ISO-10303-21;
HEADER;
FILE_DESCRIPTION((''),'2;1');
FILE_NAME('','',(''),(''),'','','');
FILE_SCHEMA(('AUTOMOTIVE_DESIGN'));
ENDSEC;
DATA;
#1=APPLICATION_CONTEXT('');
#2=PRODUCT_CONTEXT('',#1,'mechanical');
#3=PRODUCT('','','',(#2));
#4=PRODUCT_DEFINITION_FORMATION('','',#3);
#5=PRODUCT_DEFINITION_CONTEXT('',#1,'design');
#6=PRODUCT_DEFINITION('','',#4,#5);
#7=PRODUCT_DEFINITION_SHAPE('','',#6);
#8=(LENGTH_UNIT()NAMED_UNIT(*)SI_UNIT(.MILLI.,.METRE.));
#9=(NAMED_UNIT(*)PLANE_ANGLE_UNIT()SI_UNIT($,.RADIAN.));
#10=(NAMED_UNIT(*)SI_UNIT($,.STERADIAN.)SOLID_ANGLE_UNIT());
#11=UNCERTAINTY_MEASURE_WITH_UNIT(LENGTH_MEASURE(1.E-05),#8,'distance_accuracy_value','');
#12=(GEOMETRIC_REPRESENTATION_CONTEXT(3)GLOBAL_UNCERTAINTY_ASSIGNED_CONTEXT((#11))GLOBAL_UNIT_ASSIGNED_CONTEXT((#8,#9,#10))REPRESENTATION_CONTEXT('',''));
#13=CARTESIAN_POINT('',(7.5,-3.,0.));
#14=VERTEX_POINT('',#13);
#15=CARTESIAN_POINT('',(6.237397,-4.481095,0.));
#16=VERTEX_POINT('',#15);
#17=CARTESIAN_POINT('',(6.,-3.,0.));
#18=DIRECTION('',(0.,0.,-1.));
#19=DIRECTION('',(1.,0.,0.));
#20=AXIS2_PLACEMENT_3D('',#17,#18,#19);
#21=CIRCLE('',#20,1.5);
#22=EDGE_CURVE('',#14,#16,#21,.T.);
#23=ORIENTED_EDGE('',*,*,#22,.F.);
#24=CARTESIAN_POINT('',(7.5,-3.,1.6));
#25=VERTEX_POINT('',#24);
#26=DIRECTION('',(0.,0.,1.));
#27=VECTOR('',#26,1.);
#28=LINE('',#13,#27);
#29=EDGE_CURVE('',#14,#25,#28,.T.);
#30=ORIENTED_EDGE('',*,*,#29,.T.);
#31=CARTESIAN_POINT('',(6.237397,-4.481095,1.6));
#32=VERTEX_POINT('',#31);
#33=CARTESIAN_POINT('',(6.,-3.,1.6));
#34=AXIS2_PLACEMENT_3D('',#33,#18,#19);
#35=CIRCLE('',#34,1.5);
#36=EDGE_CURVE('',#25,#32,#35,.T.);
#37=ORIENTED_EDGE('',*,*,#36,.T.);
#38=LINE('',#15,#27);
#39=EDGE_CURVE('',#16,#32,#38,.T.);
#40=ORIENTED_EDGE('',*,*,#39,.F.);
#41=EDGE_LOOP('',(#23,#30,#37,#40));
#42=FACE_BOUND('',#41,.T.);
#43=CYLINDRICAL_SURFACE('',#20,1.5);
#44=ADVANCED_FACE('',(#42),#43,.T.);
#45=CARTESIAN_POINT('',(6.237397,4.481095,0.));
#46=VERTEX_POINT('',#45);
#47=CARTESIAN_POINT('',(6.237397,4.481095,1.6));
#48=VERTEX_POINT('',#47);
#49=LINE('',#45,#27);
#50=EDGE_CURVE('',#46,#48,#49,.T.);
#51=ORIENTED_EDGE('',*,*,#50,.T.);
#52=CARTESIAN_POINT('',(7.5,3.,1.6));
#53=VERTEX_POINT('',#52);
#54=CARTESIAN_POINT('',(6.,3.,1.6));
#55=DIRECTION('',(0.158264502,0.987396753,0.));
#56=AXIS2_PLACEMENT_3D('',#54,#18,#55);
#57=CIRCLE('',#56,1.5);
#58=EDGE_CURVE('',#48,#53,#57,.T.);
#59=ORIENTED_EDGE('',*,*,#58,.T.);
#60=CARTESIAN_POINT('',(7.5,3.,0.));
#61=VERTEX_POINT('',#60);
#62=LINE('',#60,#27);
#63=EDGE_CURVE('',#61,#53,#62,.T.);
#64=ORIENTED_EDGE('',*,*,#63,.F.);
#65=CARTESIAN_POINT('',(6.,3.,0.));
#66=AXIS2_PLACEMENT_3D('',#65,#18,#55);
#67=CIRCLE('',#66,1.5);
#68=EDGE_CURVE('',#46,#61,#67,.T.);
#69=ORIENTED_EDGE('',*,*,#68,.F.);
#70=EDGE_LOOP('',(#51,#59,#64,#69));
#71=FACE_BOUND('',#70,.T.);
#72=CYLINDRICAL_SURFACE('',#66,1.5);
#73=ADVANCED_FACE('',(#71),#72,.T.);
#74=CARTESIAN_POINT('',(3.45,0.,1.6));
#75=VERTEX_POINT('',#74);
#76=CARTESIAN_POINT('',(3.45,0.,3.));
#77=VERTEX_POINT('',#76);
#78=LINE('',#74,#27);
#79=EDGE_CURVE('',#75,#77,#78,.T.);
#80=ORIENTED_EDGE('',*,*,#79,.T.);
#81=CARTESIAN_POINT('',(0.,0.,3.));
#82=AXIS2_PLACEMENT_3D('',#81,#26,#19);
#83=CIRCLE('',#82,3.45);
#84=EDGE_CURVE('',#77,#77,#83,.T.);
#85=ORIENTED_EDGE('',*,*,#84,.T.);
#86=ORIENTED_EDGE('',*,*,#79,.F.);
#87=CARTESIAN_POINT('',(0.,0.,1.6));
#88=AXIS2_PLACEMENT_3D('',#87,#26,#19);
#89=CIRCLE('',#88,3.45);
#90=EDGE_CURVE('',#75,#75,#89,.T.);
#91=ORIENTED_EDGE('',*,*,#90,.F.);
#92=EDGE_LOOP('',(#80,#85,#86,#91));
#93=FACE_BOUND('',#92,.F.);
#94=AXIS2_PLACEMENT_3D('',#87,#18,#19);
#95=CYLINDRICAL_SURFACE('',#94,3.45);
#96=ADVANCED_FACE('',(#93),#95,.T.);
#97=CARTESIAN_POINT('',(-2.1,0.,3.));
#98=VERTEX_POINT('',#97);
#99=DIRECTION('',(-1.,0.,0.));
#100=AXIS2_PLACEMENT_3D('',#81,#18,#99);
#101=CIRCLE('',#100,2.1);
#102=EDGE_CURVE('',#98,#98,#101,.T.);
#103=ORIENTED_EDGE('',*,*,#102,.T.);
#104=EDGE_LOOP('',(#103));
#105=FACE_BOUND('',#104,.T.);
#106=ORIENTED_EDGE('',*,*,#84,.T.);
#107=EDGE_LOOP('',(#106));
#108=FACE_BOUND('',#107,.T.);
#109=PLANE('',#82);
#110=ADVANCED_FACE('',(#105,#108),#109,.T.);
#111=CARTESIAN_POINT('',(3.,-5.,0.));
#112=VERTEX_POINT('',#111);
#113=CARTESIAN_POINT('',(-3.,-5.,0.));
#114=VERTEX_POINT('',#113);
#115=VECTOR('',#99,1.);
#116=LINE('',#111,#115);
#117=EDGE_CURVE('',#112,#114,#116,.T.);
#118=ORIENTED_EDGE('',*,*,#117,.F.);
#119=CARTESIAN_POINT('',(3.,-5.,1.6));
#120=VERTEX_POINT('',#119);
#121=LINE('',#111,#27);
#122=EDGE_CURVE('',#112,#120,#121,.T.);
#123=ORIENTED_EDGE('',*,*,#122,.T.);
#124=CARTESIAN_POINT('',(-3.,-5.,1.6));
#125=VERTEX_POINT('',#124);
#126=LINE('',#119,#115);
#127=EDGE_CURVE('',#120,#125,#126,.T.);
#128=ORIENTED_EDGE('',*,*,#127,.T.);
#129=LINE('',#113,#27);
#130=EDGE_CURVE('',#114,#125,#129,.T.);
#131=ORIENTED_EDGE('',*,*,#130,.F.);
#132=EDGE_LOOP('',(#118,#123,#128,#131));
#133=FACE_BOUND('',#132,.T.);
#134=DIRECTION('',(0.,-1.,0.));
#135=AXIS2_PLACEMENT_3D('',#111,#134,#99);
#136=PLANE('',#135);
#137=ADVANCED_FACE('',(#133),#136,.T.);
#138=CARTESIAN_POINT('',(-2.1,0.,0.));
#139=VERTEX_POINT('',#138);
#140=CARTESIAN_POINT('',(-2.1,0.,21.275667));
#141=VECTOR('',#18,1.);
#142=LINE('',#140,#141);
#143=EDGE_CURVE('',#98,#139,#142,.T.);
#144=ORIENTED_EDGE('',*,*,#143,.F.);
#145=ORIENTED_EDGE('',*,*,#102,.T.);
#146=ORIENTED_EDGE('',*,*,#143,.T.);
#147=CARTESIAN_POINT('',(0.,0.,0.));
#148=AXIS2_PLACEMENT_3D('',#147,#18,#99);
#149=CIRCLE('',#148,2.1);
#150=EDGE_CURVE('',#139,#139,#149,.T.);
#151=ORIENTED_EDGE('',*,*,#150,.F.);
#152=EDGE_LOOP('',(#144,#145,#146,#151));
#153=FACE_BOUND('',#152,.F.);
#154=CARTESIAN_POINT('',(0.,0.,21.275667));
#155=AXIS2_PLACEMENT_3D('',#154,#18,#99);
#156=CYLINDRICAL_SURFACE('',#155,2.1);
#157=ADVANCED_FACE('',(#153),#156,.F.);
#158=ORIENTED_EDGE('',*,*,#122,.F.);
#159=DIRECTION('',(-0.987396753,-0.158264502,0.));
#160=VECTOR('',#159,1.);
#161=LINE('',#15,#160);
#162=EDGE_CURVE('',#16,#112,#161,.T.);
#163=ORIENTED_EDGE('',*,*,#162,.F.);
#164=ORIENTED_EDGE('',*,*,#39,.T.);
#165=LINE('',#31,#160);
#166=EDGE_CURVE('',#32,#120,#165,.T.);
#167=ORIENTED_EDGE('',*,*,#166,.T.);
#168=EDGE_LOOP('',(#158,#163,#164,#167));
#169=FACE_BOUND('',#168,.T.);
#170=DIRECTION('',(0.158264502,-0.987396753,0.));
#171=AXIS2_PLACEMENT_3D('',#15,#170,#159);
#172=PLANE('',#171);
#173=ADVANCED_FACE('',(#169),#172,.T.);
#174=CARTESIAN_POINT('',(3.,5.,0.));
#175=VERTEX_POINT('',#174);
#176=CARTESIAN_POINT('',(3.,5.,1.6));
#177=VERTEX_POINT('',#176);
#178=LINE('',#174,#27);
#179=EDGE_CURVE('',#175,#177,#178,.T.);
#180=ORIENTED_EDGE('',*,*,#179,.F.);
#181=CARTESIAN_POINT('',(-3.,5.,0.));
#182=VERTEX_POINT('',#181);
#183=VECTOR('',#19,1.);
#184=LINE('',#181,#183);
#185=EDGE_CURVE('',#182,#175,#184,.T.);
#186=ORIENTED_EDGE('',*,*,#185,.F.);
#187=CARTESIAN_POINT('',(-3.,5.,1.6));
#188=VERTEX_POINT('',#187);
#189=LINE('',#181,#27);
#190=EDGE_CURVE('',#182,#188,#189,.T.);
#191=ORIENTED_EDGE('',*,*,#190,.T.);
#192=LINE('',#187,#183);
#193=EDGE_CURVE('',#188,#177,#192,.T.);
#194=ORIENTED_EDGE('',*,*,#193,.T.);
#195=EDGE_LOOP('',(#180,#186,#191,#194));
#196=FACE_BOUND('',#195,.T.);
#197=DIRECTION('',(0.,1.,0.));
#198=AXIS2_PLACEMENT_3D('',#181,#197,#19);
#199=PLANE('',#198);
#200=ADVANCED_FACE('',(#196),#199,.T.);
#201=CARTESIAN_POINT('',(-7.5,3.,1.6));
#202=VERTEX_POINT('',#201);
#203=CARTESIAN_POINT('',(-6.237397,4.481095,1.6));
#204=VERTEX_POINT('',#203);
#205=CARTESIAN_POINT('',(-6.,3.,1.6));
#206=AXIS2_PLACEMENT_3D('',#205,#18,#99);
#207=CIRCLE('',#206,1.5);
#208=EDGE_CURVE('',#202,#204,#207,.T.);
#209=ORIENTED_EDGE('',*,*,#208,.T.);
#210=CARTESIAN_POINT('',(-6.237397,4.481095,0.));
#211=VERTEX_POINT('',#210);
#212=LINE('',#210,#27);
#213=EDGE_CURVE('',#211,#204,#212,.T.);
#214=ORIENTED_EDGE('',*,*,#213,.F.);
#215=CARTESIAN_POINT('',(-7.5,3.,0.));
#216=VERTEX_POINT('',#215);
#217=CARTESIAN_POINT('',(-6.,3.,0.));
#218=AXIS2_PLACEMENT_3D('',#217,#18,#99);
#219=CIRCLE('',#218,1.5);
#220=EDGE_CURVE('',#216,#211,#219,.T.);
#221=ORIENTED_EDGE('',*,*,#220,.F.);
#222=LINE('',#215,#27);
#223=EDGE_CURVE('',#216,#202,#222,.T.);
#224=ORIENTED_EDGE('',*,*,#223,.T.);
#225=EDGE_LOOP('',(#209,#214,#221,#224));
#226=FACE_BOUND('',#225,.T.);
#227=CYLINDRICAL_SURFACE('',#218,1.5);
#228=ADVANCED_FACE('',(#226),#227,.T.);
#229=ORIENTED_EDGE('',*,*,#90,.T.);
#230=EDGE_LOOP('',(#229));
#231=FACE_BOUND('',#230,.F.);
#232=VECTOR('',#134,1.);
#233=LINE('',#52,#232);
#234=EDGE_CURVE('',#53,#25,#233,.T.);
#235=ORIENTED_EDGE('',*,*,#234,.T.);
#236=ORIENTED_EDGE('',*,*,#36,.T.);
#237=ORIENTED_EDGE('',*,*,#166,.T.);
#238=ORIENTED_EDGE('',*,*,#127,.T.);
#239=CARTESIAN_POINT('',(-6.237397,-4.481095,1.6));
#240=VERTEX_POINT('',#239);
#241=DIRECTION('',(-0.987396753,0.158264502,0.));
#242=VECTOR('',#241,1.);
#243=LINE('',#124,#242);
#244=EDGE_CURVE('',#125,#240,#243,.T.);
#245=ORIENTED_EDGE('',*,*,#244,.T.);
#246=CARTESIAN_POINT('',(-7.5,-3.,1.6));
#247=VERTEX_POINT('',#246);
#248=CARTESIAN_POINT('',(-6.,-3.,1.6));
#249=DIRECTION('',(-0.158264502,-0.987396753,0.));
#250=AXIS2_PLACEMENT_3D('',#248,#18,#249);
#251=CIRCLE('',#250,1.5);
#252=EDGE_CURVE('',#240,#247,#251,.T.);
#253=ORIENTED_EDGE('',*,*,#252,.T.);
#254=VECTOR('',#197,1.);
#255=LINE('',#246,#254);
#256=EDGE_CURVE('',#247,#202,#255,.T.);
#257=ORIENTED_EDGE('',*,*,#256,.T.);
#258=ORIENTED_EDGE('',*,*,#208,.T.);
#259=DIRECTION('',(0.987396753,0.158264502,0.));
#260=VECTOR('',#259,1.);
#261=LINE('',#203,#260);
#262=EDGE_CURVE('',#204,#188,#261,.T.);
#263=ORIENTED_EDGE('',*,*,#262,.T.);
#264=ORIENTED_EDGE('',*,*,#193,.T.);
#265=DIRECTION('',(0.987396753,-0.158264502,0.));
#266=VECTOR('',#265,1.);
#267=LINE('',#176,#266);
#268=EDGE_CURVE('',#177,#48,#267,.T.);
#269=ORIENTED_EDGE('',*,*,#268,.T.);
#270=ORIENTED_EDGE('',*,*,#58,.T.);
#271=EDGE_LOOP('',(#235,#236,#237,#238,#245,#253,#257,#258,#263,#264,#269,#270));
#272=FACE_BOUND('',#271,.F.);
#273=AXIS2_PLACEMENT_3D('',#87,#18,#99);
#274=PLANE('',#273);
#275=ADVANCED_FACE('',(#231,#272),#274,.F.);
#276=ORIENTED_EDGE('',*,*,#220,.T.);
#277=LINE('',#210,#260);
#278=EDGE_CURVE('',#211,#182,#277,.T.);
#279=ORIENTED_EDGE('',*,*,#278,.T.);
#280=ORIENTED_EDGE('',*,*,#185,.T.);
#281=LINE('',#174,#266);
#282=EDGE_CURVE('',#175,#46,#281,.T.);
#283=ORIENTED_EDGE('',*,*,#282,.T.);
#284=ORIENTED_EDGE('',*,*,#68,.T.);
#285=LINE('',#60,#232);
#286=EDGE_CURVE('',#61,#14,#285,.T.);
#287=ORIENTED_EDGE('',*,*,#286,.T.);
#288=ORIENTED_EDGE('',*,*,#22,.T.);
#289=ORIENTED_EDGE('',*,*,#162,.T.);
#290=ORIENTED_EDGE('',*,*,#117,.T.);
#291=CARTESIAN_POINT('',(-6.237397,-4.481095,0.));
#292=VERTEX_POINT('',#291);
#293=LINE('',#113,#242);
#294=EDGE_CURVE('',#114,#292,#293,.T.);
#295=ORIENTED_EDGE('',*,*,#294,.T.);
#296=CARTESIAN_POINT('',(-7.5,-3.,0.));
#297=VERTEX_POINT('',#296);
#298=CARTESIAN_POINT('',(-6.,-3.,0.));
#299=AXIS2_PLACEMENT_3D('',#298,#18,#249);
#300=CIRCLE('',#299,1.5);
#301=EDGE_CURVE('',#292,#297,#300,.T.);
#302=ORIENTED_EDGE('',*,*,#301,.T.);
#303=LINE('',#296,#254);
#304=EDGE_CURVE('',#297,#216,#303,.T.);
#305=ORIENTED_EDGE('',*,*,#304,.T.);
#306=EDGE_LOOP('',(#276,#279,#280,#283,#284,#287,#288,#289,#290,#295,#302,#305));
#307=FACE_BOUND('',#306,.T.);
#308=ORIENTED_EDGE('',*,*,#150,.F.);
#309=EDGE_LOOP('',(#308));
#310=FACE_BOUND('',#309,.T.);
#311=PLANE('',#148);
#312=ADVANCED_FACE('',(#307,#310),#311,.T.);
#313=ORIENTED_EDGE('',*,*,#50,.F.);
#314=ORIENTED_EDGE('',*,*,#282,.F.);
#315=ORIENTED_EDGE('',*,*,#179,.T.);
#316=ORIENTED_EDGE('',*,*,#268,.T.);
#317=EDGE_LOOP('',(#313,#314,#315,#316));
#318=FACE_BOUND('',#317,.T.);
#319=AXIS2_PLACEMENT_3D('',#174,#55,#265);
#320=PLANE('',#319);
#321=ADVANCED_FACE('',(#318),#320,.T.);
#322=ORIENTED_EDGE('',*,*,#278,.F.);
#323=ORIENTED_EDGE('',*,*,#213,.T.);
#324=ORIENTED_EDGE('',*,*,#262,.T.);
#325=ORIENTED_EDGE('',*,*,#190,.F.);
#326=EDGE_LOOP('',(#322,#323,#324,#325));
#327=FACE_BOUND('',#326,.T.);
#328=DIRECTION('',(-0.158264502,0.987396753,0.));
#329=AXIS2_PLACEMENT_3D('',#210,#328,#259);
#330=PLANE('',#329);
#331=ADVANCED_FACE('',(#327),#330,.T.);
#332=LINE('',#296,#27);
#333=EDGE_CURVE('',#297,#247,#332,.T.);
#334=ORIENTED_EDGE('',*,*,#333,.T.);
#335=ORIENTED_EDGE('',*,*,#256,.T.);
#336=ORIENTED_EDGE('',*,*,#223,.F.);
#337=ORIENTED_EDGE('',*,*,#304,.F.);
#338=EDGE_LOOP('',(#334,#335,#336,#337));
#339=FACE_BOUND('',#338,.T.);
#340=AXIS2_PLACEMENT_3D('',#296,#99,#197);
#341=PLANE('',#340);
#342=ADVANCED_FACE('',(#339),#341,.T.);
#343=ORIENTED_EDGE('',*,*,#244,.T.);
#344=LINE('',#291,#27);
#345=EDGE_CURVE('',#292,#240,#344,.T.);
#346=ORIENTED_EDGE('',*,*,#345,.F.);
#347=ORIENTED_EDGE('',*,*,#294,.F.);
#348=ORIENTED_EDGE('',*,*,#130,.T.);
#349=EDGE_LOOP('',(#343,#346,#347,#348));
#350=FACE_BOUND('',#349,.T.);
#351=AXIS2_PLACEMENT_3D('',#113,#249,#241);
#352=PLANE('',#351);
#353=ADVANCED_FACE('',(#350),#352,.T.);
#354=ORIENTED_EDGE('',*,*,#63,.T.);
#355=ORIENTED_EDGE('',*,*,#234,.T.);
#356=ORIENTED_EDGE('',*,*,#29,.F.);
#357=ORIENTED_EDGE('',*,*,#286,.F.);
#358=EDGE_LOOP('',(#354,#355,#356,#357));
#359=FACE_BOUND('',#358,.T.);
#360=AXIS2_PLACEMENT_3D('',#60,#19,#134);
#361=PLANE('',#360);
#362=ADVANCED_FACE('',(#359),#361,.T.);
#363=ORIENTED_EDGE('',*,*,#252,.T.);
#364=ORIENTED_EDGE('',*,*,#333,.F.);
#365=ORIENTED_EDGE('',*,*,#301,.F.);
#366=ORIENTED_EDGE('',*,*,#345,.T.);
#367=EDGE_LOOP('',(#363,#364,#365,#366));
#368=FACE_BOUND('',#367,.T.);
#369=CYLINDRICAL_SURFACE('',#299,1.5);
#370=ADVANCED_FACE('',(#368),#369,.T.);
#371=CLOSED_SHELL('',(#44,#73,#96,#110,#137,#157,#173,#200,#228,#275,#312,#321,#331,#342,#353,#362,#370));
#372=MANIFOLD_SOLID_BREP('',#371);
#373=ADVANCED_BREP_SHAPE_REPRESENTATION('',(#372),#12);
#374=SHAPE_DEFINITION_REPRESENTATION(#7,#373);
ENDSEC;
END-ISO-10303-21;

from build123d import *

# Parameters (mm, degrees)
BOSS_EXTRUDE1_DEPTH   = 1.6
SKETCH2_R             = 3.45
BOSS_EXTRUDE2_DEPTH   = 1.4
M5X0_8_TAPPED_HOLE1_D = 4.2


with BuildPart() as part:
    # Sketch1 → Boss-Extrude1 (new body)
    with BuildSketch(Plane.XY):
        with BuildLine():
            Line((-6.237396753, 4.481095129), (-3, 5))
            Line((-3, 5), (3, 5))
            Line((3, 5), (6.237396753, 4.481095129))
            ThreePointArc((6.237396753, 4.481095129), (7.141511088, 3.973114811), (7.5, 3))
            Line((7.5, 3), (7.5, -3))
            ThreePointArc((7.5, -3), (7.141511088, -3.973114811), (6.237396753, -4.481095129))
            Line((6.237396753, -4.481095129), (3, -5))
            Line((3, -5), (-3, -5))
            Line((-3, -5), (-6.237396753, -4.481095129))
            ThreePointArc((-6.237396753, -4.481095129), (-7.141511088, -3.973114811), (-7.5, -3))
            Line((-7.5, -3), (-7.5, 3))
            ThreePointArc((-7.5, 3), (-7.141511088, 3.973114811), (-6.237396753, 4.481095129))
        make_face()
    extrude(amount=BOSS_EXTRUDE1_DEPTH)

    # Sketch2 → Boss-Extrude2 (add)
    with BuildSketch(Plane.XY.offset(1.6)):
        Circle(SKETCH2_R)
    extrude(amount=BOSS_EXTRUDE2_DEPTH)

    # M5x0.8 Tapped Hole1 (through all)
    with Locations(Plane.XY.offset(3)):
        with Locations((0, 0)):
            Hole(M5X0_8_TAPPED_HOLE1_D / 2)


solid = part.part
